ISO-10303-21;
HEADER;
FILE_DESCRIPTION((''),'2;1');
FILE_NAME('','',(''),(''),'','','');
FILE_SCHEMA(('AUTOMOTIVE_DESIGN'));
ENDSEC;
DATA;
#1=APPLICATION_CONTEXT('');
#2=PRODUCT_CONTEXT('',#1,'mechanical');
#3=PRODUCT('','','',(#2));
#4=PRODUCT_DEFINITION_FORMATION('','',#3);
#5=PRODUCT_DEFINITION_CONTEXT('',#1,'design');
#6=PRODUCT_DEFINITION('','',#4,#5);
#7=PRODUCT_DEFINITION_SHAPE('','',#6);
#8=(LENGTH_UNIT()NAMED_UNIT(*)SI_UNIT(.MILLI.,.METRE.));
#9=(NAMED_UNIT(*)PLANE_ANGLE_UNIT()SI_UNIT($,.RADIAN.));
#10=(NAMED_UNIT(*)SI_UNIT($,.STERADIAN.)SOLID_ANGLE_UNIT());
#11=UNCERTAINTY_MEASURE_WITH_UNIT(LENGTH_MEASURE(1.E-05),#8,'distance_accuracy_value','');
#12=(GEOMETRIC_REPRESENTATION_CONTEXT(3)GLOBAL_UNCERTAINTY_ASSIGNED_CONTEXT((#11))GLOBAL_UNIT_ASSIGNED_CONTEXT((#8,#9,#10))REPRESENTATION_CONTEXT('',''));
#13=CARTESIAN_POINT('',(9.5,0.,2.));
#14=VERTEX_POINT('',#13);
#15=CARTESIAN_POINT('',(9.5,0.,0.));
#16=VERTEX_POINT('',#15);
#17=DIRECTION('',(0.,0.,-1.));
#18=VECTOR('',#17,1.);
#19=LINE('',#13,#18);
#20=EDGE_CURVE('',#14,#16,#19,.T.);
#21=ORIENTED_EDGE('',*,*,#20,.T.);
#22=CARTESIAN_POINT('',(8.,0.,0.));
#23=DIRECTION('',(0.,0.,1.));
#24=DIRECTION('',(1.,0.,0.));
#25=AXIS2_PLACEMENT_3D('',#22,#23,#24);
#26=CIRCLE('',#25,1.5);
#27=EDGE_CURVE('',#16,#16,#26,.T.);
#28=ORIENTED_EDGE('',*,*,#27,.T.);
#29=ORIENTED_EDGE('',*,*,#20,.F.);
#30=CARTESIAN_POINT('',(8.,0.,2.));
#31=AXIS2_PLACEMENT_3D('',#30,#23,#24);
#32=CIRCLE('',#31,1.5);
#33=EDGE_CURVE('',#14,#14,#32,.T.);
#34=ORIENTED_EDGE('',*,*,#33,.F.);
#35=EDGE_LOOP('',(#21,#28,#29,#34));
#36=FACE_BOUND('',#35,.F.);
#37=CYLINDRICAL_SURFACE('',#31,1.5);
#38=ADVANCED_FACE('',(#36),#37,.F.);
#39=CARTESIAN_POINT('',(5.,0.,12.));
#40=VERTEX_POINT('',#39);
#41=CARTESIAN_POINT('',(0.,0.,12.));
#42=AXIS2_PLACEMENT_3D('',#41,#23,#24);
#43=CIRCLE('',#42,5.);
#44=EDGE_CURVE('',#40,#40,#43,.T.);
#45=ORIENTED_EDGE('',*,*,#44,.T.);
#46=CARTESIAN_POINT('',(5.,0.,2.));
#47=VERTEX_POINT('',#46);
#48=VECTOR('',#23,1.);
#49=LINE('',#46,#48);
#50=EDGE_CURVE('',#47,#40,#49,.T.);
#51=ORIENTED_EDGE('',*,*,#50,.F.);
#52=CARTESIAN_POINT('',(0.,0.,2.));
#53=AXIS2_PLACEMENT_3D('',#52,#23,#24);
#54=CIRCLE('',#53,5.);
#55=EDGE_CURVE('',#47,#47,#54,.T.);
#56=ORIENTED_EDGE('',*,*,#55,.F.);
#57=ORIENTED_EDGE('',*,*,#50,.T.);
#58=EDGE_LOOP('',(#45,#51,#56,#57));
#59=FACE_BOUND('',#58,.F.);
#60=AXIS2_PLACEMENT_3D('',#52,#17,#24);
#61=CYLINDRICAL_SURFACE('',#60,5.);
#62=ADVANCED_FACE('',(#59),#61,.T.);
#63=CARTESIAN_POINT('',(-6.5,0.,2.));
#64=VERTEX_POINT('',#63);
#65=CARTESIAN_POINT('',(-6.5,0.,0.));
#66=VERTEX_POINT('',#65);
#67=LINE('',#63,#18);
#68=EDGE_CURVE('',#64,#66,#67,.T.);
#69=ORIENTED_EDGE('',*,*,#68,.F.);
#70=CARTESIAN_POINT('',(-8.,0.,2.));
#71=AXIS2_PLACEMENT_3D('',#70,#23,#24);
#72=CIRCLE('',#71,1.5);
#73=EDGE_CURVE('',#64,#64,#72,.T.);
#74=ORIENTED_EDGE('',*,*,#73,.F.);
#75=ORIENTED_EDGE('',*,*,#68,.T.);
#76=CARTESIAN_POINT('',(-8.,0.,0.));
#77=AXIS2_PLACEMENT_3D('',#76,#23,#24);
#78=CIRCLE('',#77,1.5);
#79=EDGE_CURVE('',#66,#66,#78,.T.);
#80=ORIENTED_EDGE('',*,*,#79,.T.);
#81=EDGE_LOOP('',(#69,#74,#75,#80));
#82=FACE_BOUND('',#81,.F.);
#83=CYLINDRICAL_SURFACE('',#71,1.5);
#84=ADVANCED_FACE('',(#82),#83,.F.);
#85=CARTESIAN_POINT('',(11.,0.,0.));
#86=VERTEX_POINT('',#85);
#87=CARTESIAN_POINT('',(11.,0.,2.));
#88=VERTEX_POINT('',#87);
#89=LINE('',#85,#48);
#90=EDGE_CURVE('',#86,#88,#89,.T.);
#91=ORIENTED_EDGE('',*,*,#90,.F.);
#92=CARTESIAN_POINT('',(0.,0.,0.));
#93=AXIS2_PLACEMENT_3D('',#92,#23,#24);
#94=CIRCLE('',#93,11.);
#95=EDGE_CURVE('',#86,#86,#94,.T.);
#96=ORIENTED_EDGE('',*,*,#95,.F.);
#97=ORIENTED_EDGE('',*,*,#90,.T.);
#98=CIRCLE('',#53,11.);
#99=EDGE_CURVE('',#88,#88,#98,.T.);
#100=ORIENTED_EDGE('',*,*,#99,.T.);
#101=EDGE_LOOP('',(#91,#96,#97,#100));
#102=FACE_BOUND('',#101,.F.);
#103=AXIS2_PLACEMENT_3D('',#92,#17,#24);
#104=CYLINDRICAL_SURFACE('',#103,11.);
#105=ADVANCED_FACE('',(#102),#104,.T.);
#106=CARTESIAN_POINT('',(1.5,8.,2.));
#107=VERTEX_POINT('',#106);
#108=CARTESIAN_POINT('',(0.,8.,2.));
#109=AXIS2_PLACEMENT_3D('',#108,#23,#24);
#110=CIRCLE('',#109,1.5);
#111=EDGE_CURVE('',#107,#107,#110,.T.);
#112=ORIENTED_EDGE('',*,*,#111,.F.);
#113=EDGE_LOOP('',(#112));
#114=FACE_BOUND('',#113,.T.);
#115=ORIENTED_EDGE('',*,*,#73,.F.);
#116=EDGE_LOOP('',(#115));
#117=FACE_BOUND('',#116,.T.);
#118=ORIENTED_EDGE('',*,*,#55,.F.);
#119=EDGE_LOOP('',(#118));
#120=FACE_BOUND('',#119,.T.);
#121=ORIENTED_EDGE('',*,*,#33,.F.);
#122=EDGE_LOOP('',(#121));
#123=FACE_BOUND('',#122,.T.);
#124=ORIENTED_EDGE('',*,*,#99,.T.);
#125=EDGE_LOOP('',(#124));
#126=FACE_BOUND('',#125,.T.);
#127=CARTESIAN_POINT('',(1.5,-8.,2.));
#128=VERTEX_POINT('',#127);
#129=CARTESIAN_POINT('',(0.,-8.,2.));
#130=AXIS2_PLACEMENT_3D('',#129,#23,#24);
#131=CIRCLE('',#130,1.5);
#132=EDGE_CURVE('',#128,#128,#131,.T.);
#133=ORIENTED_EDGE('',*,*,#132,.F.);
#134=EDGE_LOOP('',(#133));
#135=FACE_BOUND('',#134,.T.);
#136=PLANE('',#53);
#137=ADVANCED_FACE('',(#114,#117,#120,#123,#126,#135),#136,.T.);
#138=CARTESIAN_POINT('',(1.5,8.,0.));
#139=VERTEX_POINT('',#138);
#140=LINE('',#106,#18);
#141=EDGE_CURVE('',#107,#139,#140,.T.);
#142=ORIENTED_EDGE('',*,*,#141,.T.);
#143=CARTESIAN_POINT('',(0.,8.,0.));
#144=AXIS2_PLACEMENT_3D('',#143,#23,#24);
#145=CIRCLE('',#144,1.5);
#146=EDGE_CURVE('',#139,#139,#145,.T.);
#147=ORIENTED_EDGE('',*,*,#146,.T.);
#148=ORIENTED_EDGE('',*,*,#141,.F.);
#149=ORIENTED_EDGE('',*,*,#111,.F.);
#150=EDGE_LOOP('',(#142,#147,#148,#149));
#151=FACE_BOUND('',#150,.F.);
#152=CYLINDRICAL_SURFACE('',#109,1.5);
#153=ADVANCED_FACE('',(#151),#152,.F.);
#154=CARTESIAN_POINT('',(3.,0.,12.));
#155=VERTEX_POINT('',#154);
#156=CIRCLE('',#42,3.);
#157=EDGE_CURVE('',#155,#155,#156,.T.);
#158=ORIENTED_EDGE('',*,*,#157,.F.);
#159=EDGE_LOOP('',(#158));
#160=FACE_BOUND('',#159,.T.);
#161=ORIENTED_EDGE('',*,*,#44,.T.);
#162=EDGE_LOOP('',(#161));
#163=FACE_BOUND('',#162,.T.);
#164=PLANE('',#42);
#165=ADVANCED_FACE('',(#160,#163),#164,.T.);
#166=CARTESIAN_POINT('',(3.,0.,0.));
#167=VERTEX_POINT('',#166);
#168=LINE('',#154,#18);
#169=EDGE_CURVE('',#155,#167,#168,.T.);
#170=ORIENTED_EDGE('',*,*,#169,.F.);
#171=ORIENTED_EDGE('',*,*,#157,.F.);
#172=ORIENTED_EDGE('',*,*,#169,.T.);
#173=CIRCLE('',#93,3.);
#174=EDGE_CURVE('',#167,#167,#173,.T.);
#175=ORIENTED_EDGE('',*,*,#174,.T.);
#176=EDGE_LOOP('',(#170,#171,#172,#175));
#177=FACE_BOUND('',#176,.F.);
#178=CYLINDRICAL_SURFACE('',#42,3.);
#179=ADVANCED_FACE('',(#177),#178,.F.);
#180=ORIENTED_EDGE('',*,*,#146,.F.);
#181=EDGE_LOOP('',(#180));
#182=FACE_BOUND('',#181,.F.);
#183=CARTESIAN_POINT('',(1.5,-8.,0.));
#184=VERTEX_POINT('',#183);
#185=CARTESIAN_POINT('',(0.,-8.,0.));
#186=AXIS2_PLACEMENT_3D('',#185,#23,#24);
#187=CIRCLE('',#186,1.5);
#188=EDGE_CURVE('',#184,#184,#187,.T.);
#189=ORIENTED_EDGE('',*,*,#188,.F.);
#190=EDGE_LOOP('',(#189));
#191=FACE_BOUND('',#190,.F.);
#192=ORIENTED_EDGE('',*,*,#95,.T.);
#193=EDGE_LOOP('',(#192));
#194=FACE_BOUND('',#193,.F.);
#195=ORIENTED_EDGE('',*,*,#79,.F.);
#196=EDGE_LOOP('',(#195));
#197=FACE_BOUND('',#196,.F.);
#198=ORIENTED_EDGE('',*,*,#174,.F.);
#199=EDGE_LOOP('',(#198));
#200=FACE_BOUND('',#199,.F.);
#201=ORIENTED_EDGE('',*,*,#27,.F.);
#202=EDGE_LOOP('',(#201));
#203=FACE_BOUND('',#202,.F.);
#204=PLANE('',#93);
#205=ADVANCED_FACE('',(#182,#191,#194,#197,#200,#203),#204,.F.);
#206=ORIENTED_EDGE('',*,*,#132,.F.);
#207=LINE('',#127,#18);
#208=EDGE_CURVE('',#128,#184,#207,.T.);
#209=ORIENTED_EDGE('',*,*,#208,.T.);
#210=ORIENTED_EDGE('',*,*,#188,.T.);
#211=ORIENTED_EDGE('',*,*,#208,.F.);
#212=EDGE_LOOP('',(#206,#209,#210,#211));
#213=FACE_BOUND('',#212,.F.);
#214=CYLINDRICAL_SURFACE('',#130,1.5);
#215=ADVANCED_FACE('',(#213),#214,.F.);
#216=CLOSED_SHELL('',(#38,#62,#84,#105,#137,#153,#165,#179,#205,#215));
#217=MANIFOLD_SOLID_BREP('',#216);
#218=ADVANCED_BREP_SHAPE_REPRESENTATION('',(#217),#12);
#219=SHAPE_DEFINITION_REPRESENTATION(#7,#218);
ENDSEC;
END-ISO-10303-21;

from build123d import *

# Parameters (mm, degrees)
SKETCH_1_R          = 11
EXTRUDE_1_DEPTH     = 2
SKETCH_2_R          = 5
EXTRUDE_2_DEPTH     = 10
SKETCH_4_R          = 3
CUT_EXTRUDE_2_DEPTH = 13
CUT_EXTRUDE_3_REACH = 4
SKETCH_5_R          = 1.5


with BuildPart() as part:
    # 草图1 → 凸台-拉伸1 (new body)
    with BuildSketch(Plane.XY):
        Circle(SKETCH_1_R)
    extrude(amount=EXTRUDE_1_DEPTH)

    # 草图2 → 凸台-拉伸2 (add)
    with BuildSketch(Plane.XY.offset(2)):
        Circle(SKETCH_2_R)
    extrude(amount=EXTRUDE_2_DEPTH)

    # 草图4 → 切除-拉伸2 (cut, through all)
    with BuildSketch(Plane.XY.offset(12)):
        Circle(SKETCH_4_R)
    extrude(amount=-CUT_EXTRUDE_2_DEPTH, mode=Mode.SUBTRACT)

    # 草图5 → 切除-拉伸3 (cut, up to next)
    with BuildSketch(Plane.XY.offset(2), mode=Mode.PRIVATE) as cut_extrude_3_sk1:
        with Locations((-8, 0)):
            Circle(SKETCH_5_R)
    cut_extrude_3_tool1 = extrude(cut_extrude_3_sk1.sketch, amount=-CUT_EXTRUDE_3_REACH, mode=Mode.PRIVATE) & part.part
    add(cut_extrude_3_tool1.solids().sort_by_distance((-8, 0, 2))[0], mode=Mode.SUBTRACT)
    # 草图5 → 切除-拉伸3 (cut, up to next)
    with BuildSketch(Plane.XY.offset(2), mode=Mode.PRIVATE) as cut_extrude_3_sk2:
        with Locations((0, 8)):
            Circle(SKETCH_5_R)
    cut_extrude_3_tool2 = extrude(cut_extrude_3_sk2.sketch, amount=-CUT_EXTRUDE_3_REACH, mode=Mode.PRIVATE) & part.part
    add(cut_extrude_3_tool2.solids().sort_by_distance((0, 8, 2))[0], mode=Mode.SUBTRACT)
    # 草图5 → 切除-拉伸3 (cut, up to next)
    with BuildSketch(Plane.XY.offset(2), mode=Mode.PRIVATE) as cut_extrude_3_sk3:
        with Locations((8, 0)):
            Circle(SKETCH_5_R)
    cut_extrude_3_tool3 = extrude(cut_extrude_3_sk3.sketch, amount=-CUT_EXTRUDE_3_REACH, mode=Mode.PRIVATE) & part.part
    add(cut_extrude_3_tool3.solids().sort_by_distance((8, 0, 2))[0], mode=Mode.SUBTRACT)
    # 草图5 → 切除-拉伸3 (cut, up to next)
    with BuildSketch(Plane.XY.offset(2), mode=Mode.PRIVATE) as cut_extrude_3_sk4:
        with Locations((0, -8)):
            Circle(SKETCH_5_R)
    cut_extrude_3_tool4 = extrude(cut_extrude_3_sk4.sketch, amount=-CUT_EXTRUDE_3_REACH, mode=Mode.PRIVATE) & part.part
    add(cut_extrude_3_tool4.solids().sort_by_distance((0, -8, 2))[0], mode=Mode.SUBTRACT)


solid = part.part
